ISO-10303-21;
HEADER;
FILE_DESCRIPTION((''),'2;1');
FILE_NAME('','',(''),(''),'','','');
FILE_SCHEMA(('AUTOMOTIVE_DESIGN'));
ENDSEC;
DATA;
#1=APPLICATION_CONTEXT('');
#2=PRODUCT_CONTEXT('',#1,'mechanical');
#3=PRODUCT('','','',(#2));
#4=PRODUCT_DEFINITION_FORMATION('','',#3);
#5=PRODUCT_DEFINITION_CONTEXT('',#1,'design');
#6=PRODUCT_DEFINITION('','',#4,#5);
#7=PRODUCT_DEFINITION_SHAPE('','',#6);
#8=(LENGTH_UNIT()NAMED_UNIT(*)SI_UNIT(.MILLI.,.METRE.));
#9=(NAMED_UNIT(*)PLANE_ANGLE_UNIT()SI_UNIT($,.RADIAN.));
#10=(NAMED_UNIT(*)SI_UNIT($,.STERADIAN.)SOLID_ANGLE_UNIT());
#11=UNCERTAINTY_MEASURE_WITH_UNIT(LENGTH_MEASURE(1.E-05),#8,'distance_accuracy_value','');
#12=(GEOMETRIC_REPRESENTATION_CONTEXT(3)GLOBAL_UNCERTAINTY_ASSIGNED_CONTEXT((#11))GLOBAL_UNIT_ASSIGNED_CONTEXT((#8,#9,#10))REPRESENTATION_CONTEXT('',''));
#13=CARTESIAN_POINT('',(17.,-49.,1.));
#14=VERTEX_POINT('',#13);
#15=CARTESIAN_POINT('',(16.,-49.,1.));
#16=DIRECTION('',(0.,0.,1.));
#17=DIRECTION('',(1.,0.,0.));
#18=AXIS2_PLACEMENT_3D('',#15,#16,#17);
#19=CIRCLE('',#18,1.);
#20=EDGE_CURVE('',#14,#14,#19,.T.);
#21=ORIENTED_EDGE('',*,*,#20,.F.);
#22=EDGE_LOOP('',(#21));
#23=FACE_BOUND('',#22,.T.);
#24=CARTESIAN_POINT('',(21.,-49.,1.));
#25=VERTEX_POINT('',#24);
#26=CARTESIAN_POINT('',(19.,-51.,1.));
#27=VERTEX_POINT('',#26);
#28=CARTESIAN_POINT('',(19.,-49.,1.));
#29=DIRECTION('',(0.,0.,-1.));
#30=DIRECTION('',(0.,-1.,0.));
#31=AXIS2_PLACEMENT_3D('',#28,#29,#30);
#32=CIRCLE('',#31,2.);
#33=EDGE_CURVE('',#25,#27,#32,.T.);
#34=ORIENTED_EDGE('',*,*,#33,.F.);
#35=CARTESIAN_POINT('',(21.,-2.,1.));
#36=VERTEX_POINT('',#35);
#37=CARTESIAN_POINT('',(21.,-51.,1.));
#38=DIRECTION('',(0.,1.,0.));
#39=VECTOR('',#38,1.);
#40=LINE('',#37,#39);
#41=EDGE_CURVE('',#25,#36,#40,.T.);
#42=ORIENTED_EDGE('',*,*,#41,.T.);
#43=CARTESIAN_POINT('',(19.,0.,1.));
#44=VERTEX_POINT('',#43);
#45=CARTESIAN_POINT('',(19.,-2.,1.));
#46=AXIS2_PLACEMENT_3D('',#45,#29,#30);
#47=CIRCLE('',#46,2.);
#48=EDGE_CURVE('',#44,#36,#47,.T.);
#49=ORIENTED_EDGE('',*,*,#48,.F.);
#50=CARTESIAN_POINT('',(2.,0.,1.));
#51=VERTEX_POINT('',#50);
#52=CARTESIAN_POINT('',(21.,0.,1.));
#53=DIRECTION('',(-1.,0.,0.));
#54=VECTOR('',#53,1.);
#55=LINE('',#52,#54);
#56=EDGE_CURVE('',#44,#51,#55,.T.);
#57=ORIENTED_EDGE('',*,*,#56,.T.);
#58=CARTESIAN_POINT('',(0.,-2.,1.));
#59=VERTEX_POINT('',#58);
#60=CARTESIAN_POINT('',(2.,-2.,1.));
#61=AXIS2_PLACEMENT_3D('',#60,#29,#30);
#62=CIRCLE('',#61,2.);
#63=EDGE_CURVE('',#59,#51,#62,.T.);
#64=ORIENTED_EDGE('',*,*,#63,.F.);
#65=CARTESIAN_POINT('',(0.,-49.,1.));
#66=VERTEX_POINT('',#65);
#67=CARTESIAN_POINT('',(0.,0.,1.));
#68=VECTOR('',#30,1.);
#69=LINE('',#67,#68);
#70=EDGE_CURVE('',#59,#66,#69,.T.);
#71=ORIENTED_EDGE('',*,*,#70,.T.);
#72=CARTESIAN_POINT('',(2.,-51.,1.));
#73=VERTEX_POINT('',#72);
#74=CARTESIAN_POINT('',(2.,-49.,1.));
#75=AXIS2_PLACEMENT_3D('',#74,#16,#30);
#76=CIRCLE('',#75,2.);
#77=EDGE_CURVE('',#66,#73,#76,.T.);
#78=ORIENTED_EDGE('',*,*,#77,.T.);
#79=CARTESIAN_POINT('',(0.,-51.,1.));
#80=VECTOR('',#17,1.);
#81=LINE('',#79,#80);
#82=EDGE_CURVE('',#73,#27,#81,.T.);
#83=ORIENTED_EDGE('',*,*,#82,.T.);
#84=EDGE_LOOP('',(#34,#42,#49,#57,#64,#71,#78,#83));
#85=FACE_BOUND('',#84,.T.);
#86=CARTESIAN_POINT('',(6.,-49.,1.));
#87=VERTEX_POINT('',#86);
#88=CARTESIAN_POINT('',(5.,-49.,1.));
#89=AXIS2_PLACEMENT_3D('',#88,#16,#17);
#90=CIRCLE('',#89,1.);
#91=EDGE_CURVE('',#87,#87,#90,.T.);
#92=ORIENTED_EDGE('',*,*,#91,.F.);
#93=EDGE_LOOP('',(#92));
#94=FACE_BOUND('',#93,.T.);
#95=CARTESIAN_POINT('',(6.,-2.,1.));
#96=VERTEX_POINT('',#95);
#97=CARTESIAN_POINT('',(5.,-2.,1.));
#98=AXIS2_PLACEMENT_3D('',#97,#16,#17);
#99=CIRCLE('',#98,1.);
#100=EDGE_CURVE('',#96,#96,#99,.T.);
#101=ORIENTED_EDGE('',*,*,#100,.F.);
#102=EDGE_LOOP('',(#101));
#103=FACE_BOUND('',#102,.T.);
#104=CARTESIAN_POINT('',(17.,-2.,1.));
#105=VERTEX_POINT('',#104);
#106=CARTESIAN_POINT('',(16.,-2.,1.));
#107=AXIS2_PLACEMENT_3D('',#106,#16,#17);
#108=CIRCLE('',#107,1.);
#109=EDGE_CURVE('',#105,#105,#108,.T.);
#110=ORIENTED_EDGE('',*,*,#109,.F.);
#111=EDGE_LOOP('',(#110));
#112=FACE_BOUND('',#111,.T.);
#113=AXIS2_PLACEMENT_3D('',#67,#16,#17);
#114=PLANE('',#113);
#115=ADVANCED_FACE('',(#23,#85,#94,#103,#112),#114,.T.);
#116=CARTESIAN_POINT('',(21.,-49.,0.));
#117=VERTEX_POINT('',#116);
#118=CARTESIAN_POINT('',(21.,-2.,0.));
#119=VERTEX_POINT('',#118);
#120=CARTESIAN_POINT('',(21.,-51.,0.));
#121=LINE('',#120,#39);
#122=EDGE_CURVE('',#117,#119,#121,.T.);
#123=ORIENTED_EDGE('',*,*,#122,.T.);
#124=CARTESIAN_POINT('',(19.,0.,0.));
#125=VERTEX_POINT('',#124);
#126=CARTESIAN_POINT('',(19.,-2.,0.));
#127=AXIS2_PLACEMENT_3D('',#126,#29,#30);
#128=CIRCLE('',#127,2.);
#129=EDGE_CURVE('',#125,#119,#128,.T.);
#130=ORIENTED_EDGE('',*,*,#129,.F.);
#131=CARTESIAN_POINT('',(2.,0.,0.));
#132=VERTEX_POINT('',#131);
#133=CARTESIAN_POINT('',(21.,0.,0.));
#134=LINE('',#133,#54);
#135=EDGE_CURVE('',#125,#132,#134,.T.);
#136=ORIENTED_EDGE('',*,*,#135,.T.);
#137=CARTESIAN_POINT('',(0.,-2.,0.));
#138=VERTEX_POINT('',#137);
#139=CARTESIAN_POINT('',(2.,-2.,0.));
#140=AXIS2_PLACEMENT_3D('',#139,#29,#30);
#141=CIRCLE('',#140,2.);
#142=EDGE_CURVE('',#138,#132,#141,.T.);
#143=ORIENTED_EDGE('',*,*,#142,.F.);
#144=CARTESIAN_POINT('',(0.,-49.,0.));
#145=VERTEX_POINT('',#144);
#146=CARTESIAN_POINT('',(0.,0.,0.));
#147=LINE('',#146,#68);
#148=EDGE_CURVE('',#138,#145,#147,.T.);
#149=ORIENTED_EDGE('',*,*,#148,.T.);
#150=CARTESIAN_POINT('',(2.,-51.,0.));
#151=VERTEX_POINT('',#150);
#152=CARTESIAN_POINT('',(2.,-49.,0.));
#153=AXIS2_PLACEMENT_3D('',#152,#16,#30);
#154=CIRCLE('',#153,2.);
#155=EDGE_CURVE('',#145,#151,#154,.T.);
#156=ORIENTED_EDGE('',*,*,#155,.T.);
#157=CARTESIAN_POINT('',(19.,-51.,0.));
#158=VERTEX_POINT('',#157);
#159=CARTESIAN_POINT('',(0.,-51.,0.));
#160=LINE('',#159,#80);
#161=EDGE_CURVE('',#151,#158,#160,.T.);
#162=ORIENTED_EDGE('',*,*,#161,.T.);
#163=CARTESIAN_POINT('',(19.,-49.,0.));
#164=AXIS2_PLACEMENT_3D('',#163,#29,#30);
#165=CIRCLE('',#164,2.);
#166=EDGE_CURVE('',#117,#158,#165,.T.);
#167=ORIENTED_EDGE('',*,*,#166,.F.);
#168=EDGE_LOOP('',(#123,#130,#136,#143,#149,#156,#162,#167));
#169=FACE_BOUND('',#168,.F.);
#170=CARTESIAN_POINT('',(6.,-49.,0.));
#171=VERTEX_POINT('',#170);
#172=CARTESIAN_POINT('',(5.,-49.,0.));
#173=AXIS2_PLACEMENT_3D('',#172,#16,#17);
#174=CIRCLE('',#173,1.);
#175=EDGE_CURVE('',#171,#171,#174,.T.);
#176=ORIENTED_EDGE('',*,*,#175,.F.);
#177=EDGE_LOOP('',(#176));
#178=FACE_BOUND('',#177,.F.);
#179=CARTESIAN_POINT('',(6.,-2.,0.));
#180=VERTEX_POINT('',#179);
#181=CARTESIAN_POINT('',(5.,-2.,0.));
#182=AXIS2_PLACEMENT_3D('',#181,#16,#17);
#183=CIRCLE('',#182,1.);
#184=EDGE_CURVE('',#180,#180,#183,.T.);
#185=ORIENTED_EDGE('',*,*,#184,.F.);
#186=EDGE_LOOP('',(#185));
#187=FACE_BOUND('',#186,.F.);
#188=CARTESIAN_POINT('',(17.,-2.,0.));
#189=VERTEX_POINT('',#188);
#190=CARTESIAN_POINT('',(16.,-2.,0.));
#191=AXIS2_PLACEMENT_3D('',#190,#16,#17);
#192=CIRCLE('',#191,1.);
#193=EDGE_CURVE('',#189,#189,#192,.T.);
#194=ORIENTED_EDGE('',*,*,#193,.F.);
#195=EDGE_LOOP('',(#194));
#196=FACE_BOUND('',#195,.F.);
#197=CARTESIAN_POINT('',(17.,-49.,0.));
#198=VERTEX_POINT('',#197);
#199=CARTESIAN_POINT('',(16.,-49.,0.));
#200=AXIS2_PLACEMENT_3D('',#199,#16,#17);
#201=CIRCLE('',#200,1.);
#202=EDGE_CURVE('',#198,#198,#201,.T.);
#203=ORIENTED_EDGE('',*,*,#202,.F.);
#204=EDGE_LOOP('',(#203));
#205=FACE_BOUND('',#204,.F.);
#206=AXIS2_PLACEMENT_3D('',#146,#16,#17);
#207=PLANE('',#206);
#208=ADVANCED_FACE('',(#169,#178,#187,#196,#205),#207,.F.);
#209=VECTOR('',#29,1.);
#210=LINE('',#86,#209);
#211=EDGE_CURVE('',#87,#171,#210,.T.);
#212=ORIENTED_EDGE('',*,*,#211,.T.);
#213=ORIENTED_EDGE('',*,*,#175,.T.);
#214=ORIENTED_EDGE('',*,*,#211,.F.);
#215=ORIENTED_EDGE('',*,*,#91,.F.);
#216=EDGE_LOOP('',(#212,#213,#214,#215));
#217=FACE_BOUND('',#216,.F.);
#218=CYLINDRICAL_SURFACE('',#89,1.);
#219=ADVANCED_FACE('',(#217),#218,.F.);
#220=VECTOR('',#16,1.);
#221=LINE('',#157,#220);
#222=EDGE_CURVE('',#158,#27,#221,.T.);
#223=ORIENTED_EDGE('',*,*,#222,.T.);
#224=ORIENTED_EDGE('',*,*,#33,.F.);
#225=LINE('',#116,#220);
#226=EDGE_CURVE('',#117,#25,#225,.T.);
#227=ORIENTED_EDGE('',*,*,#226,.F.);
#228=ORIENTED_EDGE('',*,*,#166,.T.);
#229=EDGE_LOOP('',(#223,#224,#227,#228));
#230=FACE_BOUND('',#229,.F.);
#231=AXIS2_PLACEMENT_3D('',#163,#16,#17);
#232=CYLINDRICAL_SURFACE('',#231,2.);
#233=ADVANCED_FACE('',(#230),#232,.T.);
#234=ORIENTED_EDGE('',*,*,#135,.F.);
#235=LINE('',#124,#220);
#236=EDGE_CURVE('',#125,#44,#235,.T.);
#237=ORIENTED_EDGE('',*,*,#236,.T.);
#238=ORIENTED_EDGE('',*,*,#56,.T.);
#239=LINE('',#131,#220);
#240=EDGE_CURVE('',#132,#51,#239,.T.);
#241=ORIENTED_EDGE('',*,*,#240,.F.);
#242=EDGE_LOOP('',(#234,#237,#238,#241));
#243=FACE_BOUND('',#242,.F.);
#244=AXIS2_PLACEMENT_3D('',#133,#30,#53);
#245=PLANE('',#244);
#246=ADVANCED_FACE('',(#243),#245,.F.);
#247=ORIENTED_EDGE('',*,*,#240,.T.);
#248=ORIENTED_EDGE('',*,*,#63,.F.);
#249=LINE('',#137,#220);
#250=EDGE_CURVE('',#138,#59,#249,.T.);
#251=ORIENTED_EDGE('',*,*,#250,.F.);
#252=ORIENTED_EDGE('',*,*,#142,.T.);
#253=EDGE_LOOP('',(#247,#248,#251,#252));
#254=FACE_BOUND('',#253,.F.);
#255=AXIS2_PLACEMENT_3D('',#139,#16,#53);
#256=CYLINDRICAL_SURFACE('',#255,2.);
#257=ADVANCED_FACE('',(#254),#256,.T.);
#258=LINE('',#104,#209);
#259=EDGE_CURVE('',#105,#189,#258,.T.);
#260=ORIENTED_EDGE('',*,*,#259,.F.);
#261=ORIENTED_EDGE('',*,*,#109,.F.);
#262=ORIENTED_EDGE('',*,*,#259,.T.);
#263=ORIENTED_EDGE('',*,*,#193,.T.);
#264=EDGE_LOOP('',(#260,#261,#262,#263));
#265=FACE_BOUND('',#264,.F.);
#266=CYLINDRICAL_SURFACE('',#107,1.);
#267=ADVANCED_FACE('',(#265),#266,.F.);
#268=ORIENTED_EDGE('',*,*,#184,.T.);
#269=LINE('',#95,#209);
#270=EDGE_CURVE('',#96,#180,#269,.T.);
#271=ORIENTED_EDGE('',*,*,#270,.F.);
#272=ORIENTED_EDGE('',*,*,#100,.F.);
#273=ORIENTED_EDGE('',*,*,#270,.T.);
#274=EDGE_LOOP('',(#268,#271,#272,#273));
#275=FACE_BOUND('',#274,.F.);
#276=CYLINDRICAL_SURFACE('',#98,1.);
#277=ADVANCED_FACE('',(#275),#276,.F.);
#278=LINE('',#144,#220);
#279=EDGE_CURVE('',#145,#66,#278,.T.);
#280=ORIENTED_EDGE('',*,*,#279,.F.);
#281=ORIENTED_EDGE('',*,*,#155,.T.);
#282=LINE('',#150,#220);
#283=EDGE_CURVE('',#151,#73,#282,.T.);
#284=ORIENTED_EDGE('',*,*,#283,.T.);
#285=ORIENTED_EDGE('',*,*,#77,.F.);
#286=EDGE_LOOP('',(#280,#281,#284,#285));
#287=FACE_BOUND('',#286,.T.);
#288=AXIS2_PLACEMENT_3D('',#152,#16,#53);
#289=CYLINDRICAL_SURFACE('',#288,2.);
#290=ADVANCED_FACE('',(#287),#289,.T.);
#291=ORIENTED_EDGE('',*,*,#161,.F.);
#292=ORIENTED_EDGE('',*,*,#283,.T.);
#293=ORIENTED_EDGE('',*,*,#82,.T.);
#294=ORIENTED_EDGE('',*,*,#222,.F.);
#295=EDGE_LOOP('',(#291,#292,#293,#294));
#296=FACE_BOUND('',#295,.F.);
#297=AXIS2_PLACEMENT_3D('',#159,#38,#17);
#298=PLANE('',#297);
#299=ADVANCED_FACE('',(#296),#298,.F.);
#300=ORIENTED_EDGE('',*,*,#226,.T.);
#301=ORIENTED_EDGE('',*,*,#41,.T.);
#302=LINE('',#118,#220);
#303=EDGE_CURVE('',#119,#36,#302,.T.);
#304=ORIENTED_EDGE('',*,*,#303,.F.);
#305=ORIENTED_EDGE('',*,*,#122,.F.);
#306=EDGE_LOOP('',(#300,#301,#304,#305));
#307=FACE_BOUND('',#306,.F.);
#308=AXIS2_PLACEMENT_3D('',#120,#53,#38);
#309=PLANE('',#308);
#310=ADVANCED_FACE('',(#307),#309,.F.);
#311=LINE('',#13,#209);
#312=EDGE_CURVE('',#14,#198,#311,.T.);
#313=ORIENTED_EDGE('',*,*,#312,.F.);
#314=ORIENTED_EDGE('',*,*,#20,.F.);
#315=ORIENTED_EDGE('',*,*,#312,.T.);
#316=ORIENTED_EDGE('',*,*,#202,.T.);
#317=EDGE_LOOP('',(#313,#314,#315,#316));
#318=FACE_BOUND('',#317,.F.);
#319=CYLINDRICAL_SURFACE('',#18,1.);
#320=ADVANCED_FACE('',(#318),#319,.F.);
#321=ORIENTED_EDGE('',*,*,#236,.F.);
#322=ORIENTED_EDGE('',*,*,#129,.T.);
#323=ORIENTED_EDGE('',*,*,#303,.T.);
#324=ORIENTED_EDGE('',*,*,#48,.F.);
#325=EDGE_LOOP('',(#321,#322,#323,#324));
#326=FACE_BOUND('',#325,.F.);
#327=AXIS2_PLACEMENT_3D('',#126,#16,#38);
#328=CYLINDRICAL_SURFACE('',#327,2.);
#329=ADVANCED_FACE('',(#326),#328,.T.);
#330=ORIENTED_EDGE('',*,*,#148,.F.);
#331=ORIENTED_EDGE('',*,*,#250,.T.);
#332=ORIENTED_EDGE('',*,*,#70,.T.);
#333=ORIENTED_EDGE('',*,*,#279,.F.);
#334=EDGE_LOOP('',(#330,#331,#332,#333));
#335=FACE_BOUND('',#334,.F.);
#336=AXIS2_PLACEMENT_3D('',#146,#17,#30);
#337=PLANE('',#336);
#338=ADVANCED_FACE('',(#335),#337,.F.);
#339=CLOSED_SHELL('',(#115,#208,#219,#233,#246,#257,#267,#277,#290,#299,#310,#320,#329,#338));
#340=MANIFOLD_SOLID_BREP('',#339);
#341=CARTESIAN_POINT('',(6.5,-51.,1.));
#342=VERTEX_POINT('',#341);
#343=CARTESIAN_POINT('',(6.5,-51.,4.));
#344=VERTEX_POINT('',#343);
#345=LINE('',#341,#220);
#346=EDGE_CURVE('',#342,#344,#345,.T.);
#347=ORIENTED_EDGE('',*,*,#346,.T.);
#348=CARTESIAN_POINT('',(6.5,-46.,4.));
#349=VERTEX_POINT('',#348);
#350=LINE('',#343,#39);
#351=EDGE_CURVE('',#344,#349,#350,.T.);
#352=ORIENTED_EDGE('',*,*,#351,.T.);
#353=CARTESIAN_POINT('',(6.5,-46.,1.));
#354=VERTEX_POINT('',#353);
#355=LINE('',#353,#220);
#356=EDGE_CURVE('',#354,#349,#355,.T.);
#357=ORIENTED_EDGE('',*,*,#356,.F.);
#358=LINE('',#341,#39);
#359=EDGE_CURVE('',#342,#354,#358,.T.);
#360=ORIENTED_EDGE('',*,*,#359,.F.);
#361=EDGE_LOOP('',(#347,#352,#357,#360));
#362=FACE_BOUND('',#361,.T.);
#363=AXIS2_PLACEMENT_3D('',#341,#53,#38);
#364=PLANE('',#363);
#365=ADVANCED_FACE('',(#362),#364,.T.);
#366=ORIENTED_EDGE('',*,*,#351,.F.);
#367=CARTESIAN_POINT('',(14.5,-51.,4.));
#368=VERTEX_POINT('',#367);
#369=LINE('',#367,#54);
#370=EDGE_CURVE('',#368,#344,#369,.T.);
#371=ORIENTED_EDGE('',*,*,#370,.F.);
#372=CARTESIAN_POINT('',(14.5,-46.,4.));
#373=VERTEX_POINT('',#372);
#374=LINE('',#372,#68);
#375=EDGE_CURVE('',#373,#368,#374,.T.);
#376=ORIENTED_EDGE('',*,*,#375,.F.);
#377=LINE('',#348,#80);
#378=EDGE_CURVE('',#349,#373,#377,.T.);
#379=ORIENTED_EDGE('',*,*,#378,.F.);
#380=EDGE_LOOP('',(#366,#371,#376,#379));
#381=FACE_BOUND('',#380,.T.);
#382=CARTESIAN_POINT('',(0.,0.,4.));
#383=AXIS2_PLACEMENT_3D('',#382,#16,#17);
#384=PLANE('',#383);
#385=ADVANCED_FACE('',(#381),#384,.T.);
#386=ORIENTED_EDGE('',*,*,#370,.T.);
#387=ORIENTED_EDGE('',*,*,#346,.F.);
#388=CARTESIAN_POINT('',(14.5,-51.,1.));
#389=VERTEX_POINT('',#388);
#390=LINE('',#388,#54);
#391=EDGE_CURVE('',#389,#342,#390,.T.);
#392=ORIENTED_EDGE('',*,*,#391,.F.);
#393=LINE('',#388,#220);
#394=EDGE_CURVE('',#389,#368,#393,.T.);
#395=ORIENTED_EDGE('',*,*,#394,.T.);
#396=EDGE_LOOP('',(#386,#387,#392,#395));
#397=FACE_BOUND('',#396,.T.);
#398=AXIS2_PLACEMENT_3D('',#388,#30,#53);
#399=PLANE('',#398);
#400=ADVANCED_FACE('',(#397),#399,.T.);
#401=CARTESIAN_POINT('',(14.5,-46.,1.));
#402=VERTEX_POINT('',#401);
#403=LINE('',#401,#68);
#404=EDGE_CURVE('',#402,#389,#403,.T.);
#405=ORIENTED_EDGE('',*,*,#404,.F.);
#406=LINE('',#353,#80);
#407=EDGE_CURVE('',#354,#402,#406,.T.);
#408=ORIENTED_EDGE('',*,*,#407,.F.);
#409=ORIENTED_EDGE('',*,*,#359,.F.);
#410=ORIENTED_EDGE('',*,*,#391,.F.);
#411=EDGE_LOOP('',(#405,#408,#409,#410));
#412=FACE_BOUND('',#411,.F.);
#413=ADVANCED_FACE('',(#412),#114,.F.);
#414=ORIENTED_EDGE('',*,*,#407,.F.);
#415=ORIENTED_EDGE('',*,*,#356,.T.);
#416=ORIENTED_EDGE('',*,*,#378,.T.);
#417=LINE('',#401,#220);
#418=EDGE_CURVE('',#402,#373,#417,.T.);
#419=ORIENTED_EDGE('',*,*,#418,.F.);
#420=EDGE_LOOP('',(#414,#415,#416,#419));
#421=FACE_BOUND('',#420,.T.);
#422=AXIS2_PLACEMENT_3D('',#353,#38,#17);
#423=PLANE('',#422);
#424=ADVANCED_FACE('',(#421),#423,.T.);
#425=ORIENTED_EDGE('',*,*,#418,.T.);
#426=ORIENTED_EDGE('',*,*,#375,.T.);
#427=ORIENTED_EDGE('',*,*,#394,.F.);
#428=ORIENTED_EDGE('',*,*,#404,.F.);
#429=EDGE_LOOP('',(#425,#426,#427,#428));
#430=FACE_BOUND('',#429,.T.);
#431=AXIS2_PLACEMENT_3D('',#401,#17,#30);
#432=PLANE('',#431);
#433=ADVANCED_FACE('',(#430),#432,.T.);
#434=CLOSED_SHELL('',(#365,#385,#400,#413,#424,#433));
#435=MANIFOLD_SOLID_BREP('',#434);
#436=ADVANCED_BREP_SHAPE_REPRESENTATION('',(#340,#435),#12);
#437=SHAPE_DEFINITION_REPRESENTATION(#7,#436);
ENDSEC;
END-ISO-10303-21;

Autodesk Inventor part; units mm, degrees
ref_plane "YZ Plane" through (0, 0, 0) normal (1, 0, 0) x (0, 1, 0)
ref_plane "XZ Plane" through (0, 0, 0) normal (0, 1, 0) x (-1, 0, 0)
ref_plane "XY Plane" through (0, 0, 0) normal (0, 0, 1) x (1, 0, 0)
sketch "Sketch1" plane through (0, 0, 0) normal (0, 0, 1) x (1, 0, 0)
  line L0 (0, -51) -> (21, -51)
  line L1 (21, -51) -> (21, 0)
  line L2 (21, 0) -> (0, 0)
  line L3 (0, 0) -> (0, -51)
  dimension "d228" = 21
  dimension "d229" = 51
extrude "Extrusion1" add sketch "Sketch1" along normal blind 1
fillet "Fillet1" radius 2 4 edges at (21, 0, 0.5) (0, 0, 0.5) (0, -51, 0.5) (21, -51, 0.5)
sketch "Sketch2" plane through (0, 0, 1) normal (0, 0, 1) x (1, 0, 0)
  circle A0 centre (5, -2) radius 1
  line L0 (0, -2) -> (0, -49) projected
  line L1 (19, 0) -> (2, 0) projected
  line L2 (10.5, 0) -> (10.5, -51)
  line L3 (2, -51) -> (19, -51) projected
  line L4 (0, -25.5) -> (21, -25.5)
  circle A1 centre (16, -2) radius 1
  circle A2 centre (5, -49) radius 1
  line L5 (19, -51) -> (2, -51)
  circle A3 centre (16, -49) radius 1
  point P0 (0, 0)
  point P1 (0, -51)
  dimension "d234" = 2
  dimension "d235" = 5
  dimension "d236" = 2
extrude "Extrusion2" cut sketch "Sketch2" against normal blind 1
sketch "Sketch3" plane through (0, 0, 1) normal (0, 0, 1) x (1, 0, 0)
  line L0 (6.5, -46) -> (14.5, -46)
  line L1 (14.5, -46) -> (14.5, -51)
  line L2 (14.5, -51) -> (6.5, -51)
  line L3 (6.5, -51) -> (6.5, -46)
  line L4 (2, -51) -> (19, -51) projected
  point P0 (0, 0)
  dimension "d242" = 8
  dimension "d243" = 5
  dimension "d244" = 4.5
extrude "Extrusion3" add sketch "Sketch3" along normal blind 3 separate body
properties part number "Langbektang houder"
